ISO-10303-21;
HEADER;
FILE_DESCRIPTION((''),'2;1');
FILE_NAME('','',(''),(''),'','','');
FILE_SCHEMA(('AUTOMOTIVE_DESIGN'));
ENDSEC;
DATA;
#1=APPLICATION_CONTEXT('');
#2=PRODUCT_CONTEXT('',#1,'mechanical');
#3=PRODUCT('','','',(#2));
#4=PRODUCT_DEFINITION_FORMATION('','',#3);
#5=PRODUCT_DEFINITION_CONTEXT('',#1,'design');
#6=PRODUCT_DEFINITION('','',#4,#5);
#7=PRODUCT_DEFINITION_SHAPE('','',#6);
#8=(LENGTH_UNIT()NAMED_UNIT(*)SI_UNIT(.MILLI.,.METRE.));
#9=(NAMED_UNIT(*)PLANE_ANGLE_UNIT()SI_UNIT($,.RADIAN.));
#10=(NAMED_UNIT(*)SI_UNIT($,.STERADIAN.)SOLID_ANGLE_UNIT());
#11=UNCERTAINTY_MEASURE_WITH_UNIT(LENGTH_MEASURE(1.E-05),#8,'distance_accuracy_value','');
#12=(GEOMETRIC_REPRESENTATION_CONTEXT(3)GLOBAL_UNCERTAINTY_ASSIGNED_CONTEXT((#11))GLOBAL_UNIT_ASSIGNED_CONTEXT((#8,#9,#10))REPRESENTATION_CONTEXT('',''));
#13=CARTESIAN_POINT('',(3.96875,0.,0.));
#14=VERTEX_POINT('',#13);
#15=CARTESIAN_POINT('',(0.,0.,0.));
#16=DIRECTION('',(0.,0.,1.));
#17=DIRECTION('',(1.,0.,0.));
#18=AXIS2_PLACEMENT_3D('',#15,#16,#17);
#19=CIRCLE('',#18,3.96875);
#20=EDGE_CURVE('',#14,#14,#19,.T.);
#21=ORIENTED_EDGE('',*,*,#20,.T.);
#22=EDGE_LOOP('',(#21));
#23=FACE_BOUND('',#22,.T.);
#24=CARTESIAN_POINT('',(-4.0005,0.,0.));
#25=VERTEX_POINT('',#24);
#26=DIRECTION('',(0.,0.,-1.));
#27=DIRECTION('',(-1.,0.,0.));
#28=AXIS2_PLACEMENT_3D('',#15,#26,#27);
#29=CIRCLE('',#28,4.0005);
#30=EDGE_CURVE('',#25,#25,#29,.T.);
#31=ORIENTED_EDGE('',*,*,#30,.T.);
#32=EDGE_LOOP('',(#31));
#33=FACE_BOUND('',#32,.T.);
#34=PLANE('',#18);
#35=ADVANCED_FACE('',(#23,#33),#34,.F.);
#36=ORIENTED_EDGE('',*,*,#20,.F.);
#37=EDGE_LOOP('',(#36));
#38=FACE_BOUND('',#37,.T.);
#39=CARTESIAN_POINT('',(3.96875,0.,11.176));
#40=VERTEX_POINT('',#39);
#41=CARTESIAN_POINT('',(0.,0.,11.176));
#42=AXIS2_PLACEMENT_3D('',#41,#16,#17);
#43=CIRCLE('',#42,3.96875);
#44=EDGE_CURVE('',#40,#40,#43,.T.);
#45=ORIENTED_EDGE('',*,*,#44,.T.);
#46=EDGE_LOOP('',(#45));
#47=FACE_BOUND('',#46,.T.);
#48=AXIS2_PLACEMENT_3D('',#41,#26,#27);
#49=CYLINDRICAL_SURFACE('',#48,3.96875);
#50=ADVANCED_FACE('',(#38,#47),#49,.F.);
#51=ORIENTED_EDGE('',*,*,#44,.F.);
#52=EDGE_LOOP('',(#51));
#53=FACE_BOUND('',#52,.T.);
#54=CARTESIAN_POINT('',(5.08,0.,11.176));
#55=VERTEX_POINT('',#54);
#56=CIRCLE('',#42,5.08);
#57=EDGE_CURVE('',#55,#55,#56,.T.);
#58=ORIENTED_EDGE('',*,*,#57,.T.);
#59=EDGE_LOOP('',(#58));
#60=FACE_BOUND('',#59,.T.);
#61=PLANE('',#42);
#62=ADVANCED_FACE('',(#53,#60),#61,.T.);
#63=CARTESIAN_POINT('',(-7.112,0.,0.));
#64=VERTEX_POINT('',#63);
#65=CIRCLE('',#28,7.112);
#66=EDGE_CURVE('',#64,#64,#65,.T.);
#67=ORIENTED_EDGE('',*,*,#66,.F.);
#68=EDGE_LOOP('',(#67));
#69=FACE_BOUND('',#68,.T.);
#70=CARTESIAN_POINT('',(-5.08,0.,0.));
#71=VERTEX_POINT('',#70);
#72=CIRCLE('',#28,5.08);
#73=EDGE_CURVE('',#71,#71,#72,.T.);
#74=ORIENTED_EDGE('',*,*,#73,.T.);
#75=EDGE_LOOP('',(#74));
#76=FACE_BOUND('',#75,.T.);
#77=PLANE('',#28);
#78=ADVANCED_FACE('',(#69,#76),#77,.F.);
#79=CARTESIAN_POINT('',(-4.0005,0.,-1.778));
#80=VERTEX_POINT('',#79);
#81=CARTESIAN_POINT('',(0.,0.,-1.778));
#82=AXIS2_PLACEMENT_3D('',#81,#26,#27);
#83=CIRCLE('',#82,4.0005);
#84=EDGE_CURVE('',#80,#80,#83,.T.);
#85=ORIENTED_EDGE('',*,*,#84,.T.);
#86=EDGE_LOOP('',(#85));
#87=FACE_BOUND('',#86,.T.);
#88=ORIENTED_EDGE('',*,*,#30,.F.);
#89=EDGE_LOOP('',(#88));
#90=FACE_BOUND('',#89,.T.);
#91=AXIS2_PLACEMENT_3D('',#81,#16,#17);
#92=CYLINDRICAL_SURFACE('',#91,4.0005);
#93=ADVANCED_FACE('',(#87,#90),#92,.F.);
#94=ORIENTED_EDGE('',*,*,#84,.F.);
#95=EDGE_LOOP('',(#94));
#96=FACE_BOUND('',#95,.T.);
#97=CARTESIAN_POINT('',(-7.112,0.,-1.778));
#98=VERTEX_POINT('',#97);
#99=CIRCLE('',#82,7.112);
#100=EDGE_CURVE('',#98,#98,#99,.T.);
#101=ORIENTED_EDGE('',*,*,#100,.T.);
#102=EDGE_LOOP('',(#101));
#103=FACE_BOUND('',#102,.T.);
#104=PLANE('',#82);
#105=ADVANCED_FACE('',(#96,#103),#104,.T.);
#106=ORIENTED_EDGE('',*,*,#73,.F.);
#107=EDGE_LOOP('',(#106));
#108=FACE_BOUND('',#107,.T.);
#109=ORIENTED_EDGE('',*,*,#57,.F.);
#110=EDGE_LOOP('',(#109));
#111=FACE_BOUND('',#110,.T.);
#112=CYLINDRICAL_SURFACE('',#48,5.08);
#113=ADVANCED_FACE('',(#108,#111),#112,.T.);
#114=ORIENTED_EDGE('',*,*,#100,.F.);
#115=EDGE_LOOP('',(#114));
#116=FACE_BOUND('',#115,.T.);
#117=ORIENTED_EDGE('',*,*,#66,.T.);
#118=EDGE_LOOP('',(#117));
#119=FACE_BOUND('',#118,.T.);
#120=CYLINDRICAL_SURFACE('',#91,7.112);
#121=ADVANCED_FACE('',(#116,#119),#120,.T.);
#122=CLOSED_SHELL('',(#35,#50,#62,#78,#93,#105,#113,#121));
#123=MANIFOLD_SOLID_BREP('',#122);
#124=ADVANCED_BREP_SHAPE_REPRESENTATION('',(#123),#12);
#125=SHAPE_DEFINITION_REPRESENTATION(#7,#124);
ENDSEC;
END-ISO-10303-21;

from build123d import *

# Parameters (mm, degrees)
SKETCH1_R      = 5.08
SKETCH1_R_2    = 3.96875
EXTRUDE1_DEPTH = 11.176
SKETCH2_R      = 7.112
SKETCH2_R_2    = 4.0005
EXTRUDE2_DEPTH = 1.778


with BuildPart() as part:
    # Sketch1 → Extrude1 (new body)
    with BuildSketch(Plane.XY):
        Circle(SKETCH1_R)
        Circle(SKETCH1_R_2, mode=Mode.SUBTRACT)
    extrude(amount=EXTRUDE1_DEPTH)

    # Sketch2 → Extrude2 (add)
    with BuildSketch(Plane(origin=(0, 0, 0), x_dir=(-1, 0, 0), z_dir=(0, 0, -1))):
        Circle(SKETCH2_R)
        Circle(SKETCH2_R_2, mode=Mode.SUBTRACT)
    extrude(amount=EXTRUDE2_DEPTH)


solid = part.part
